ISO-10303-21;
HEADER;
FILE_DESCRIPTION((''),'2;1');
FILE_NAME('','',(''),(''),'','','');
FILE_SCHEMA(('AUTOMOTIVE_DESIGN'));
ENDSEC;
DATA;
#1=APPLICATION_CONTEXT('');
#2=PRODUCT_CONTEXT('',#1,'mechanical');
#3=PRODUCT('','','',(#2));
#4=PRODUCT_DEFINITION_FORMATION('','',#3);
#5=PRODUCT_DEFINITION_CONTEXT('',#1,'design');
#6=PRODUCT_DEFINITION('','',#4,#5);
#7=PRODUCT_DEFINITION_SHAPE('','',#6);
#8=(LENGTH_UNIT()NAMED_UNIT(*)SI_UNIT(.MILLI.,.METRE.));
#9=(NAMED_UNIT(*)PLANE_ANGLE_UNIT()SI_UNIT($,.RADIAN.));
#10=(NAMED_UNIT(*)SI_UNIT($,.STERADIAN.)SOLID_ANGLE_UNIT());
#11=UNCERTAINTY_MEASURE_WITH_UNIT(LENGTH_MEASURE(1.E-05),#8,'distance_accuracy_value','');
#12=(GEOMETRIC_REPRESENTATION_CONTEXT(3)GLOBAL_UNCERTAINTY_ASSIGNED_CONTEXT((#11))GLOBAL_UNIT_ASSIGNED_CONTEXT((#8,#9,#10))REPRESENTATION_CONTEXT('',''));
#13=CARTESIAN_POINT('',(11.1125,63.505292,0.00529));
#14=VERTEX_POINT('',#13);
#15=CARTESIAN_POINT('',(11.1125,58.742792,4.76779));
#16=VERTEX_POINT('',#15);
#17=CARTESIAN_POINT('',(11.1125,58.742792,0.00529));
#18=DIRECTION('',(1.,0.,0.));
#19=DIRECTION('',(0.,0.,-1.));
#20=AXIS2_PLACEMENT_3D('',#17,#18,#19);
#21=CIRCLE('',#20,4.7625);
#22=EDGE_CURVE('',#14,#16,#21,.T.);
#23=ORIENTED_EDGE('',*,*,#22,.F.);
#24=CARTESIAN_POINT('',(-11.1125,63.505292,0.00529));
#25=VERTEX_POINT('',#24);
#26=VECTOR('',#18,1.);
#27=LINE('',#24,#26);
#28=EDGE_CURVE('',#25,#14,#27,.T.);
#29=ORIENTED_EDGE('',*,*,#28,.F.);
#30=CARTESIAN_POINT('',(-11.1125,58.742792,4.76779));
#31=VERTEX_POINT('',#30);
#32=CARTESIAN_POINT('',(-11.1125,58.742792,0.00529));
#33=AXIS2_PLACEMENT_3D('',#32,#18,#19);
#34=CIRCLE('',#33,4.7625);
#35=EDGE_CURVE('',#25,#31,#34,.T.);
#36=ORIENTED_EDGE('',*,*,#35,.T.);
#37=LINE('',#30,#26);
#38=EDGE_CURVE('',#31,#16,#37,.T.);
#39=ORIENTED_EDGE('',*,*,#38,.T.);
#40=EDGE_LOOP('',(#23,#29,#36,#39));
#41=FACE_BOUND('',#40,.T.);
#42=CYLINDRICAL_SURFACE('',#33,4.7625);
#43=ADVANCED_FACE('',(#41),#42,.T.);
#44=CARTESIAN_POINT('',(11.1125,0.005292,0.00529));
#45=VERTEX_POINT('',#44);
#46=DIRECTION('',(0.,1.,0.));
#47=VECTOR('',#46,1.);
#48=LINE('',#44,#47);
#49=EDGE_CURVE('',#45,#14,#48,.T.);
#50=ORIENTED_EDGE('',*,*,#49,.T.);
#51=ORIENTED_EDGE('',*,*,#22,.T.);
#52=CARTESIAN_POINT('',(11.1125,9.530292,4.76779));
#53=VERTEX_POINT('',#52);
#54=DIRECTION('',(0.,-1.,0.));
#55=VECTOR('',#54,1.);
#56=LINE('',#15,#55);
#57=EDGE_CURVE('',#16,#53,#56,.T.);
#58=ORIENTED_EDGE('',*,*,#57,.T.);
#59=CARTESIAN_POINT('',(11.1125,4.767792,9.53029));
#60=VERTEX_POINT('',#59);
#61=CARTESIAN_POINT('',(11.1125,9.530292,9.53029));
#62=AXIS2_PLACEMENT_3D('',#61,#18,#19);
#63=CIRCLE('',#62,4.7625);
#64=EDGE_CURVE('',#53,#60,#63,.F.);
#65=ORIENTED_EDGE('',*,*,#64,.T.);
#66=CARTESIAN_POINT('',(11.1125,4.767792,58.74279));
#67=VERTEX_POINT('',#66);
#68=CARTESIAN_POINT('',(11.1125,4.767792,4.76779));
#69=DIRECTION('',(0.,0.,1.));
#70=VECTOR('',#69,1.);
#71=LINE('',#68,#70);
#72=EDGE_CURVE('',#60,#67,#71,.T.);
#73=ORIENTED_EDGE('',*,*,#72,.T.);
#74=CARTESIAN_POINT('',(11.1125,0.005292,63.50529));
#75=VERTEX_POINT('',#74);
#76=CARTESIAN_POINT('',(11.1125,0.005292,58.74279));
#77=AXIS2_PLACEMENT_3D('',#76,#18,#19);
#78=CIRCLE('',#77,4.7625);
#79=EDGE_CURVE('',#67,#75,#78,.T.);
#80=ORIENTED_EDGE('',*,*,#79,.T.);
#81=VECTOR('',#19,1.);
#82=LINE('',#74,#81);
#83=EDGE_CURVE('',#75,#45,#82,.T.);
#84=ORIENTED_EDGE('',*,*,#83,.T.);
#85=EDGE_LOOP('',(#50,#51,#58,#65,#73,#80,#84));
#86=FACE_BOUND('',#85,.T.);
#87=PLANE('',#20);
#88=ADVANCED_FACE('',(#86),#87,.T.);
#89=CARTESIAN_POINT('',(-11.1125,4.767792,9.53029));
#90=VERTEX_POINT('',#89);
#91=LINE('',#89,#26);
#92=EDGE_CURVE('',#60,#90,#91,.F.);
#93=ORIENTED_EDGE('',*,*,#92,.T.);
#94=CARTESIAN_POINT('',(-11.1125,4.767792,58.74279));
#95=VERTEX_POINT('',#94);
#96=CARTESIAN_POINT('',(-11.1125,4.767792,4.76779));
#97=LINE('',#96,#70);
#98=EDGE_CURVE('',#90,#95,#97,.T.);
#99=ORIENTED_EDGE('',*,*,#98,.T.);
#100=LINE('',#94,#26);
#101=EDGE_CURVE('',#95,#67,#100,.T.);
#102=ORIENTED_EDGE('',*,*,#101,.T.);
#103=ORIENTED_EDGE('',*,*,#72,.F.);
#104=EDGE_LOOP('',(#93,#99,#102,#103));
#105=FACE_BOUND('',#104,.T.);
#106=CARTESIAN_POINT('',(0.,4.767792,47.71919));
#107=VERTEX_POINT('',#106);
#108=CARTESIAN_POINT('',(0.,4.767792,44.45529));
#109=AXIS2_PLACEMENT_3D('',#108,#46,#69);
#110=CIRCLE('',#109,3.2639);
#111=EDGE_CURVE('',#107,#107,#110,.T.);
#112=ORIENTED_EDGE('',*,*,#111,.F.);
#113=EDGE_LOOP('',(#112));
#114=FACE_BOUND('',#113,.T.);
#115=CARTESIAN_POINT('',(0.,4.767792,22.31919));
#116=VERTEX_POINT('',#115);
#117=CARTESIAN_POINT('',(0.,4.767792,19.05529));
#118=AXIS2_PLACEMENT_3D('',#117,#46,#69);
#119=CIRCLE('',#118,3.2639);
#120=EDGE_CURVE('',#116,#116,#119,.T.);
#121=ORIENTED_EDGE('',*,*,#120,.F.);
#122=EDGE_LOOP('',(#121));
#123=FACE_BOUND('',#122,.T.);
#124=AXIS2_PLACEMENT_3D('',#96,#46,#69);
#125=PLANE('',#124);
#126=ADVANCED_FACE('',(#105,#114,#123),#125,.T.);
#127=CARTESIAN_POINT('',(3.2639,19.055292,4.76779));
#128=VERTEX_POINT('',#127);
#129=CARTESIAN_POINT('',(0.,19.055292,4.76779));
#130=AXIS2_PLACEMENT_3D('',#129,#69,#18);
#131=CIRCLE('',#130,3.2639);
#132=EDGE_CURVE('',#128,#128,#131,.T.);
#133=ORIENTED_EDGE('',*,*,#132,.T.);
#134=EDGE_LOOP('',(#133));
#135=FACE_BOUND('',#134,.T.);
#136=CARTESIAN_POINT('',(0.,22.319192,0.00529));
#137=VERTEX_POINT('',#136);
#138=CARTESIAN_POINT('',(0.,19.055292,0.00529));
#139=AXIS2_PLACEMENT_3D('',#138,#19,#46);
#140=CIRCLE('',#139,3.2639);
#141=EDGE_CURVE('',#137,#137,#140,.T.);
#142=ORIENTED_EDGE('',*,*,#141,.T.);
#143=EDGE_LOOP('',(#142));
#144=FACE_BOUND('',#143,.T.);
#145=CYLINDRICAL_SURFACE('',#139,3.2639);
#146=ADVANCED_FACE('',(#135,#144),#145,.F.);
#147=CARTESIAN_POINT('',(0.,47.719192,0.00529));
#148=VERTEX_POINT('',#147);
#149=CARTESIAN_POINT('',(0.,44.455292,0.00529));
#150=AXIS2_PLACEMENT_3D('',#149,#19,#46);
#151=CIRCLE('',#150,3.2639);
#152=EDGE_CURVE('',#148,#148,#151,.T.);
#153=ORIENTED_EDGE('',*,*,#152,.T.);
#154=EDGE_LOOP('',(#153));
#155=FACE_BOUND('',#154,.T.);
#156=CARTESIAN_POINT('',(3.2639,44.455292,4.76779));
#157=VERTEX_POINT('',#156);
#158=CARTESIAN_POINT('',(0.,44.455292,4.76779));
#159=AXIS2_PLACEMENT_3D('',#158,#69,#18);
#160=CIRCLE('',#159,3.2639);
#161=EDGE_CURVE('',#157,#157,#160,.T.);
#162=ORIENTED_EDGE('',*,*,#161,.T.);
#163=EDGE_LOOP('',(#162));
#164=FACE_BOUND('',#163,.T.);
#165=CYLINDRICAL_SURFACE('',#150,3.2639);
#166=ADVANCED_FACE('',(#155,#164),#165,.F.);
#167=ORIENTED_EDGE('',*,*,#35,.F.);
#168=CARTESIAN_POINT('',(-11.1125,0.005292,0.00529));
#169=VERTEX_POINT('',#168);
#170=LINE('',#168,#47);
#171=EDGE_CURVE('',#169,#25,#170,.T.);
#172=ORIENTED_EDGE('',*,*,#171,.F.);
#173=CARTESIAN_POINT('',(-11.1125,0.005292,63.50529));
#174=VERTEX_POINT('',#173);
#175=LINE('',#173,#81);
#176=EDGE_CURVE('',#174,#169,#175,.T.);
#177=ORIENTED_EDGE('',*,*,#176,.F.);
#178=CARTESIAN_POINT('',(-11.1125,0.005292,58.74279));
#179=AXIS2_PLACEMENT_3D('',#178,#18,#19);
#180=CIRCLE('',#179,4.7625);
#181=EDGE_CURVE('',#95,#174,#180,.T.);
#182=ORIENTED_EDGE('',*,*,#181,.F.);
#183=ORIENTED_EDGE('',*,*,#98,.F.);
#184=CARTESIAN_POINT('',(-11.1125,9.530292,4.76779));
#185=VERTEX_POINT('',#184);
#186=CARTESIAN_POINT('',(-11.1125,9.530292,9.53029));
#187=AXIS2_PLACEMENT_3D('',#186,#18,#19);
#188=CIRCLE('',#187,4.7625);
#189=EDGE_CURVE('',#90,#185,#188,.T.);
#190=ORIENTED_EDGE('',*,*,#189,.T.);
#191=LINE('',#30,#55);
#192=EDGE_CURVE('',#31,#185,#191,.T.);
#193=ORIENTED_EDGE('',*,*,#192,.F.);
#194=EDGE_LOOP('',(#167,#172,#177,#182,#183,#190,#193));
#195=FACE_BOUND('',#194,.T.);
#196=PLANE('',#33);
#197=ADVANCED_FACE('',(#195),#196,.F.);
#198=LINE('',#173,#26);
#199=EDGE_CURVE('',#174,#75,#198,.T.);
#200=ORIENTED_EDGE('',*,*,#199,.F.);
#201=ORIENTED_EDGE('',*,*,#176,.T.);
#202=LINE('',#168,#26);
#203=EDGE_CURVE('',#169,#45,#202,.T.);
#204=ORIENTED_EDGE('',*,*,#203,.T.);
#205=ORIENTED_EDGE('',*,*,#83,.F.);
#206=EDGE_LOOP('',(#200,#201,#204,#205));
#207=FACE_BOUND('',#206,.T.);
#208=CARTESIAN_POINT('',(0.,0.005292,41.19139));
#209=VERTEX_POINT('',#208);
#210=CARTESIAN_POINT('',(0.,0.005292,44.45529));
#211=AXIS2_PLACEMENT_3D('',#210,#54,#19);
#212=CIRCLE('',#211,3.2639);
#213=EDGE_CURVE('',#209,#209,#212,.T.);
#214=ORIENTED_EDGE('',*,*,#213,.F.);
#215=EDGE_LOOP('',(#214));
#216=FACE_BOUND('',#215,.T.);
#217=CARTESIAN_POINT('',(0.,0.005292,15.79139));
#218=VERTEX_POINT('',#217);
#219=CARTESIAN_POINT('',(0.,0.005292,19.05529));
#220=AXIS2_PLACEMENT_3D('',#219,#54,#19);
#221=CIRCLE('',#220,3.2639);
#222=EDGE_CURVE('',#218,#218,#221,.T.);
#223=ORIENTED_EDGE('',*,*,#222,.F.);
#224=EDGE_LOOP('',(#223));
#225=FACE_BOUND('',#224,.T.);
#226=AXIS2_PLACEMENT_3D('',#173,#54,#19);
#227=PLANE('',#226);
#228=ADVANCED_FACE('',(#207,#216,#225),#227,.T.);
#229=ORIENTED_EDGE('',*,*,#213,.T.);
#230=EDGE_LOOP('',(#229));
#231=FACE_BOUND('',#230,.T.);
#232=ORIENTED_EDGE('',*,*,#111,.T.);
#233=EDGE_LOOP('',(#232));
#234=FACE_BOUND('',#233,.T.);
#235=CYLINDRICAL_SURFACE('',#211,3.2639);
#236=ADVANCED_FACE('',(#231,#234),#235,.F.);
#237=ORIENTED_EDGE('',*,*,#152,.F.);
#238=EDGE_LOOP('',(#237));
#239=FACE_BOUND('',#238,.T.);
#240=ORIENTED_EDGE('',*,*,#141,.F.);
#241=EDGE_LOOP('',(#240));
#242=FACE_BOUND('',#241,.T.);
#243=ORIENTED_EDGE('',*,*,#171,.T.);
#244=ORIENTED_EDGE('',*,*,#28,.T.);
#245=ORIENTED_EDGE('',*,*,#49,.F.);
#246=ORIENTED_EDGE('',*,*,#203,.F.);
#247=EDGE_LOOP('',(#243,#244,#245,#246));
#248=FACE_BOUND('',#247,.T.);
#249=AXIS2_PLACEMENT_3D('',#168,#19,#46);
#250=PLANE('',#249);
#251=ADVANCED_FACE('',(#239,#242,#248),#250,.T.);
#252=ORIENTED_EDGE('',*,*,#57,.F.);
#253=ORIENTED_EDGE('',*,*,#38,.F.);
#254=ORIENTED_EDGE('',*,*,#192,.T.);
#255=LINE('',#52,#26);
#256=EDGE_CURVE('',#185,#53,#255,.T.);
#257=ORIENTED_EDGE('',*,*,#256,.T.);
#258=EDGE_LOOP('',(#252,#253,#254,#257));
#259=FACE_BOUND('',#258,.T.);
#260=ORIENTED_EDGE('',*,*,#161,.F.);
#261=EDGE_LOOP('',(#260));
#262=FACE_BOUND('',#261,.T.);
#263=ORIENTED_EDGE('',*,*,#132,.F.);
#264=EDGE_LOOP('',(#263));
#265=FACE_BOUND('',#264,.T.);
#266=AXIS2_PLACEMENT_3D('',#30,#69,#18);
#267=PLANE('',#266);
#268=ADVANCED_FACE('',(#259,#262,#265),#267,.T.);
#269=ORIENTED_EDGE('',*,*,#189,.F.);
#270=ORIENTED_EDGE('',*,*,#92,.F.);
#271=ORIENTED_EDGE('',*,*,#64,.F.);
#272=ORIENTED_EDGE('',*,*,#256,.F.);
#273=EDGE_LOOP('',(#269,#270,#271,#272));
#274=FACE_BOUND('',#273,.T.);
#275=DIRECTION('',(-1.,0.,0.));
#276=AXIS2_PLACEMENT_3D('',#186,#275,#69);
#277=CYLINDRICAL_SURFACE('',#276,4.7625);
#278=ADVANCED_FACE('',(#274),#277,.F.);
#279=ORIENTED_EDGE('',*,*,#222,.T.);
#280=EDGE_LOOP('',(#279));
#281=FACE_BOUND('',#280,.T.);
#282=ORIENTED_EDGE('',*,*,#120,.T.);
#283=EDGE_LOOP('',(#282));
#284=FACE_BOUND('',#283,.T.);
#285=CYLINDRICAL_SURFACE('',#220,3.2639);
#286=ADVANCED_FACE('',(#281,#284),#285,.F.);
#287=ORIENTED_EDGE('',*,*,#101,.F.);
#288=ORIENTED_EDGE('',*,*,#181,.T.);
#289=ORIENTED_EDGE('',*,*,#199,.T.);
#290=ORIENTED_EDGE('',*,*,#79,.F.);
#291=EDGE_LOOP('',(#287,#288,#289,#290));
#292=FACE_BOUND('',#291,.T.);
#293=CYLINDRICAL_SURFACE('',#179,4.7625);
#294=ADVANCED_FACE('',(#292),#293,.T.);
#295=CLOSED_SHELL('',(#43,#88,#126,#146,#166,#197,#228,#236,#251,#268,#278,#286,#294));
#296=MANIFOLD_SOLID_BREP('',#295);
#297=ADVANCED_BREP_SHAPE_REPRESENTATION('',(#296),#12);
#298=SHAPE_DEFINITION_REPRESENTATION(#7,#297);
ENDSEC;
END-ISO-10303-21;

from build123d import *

# Parameters (mm, degrees)
BOSS_EXTRUDE1_DEPTH      = 22.225
M6_CLEARANCE_HOLE1_D     = 6.5278
M6_CLEARANCE_HOLE1_DEPTH = 63.5
M6_CLEARANCE_HOLE2_D     = 6.5278
M6_CLEARANCE_HOLE2_DEPTH = 63.5
FILLET1_R                = 4.7625


with BuildPart() as part:
    # Sketch1 → Boss-Extrude1 (new body)
    with BuildSketch(Plane(origin=(11.1125, 0, 0), x_dir=(0, 0, -1), z_dir=(1, 0, 0))):
        with BuildLine():
            Line((-4.767789963, 58.742792373), (-4.767789963, 4.767792373))
            Line((-4.767789963, 4.767792373), (-58.742789963, 4.767792373))
            ThreePointArc((-58.742789963, 4.767792373), (-62.110386009, 3.372888418), (-63.505289963, 0.005292373))
            Line((-63.505289963, 0.005292373), (-0.005289963, 0.005292373))
            Line((-0.005289963, 0.005292373), (-0.005289963, 63.505292373))
            ThreePointArc((-0.005289963, 63.505292373), (-3.372886009, 62.110388418), (-4.767789963, 58.742792373))
        make_face()
    extrude(amount=-BOSS_EXTRUDE1_DEPTH)

    # M6 Clearance Hole1
    with Locations(Plane.XZ.offset(-0.005292373)):
        with Locations((0, 19.055289963), (0, 44.455289963)):
            Hole(M6_CLEARANCE_HOLE1_D / 2, depth=M6_CLEARANCE_HOLE1_DEPTH)

    # M6 Clearance Hole2
    with Locations(Plane(origin=(0, 0, 0.005289963), x_dir=(-1, 0, 0), z_dir=(0, 0, -1))):
        with Locations((0, 19.055292373), (0, 44.455292373)):
            Hole(M6_CLEARANCE_HOLE2_D / 2, depth=M6_CLEARANCE_HOLE2_DEPTH)

    # Fillet1
    fillet1_edges = [part.edges().sort_by_distance(p)[0] for p in [
        (0, 4.767792373, 4.767789963),
    ]]
    fillet(fillet1_edges, radius=FILLET1_R)


solid = part.part
